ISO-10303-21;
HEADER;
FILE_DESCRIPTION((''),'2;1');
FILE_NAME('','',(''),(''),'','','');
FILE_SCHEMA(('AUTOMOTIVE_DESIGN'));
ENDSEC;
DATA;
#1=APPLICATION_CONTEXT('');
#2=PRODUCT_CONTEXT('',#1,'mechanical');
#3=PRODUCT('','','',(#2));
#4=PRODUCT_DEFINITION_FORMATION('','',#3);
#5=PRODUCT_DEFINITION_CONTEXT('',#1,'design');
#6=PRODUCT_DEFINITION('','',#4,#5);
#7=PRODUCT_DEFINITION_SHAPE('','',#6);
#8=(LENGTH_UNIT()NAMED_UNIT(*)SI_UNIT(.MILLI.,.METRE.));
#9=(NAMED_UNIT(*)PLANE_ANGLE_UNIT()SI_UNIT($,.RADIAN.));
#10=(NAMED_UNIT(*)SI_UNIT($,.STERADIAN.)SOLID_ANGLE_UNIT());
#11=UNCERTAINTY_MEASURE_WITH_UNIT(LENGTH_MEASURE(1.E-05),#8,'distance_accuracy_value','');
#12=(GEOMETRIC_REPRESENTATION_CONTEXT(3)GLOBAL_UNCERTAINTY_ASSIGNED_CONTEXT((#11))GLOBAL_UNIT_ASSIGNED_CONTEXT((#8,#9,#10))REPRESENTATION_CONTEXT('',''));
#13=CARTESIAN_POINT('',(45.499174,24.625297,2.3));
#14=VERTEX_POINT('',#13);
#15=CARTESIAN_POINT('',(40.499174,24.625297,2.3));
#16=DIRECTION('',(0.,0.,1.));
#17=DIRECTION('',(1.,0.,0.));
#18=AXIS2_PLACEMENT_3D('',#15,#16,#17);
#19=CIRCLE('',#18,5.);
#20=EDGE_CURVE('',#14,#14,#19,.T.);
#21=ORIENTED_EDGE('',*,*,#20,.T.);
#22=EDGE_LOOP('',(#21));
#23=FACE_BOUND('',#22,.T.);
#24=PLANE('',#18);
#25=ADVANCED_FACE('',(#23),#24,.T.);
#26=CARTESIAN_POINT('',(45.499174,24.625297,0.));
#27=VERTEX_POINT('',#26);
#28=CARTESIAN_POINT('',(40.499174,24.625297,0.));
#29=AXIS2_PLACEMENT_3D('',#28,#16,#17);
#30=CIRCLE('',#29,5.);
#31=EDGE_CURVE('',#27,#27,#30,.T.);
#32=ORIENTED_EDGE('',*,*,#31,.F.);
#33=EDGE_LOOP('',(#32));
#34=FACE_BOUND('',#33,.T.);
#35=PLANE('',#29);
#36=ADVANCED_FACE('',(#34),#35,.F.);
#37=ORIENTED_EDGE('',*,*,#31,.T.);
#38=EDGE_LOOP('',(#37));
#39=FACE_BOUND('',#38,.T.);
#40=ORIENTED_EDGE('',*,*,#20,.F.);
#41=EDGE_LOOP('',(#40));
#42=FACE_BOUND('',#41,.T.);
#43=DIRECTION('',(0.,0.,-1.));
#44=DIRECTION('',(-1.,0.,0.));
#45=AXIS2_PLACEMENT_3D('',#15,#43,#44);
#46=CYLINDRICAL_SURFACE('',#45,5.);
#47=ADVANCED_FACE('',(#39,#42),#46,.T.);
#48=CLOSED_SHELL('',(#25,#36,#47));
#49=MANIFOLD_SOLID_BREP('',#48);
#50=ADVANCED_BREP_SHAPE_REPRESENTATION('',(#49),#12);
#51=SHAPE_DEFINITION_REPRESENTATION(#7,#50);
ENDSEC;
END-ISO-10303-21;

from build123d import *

# Parameters (mm, degrees)
SKETCH_1_R      = 5
EXTRUDE_1_DEPTH = 2.3


with BuildPart() as part:
    # 草图1 → 凸台-拉伸1 (new body)
    with BuildSketch(Plane.XY):
        with Locations((40.49917431, 24.625296734)):
            Circle(SKETCH_1_R)
    extrude(amount=EXTRUDE_1_DEPTH)


solid = part.part
